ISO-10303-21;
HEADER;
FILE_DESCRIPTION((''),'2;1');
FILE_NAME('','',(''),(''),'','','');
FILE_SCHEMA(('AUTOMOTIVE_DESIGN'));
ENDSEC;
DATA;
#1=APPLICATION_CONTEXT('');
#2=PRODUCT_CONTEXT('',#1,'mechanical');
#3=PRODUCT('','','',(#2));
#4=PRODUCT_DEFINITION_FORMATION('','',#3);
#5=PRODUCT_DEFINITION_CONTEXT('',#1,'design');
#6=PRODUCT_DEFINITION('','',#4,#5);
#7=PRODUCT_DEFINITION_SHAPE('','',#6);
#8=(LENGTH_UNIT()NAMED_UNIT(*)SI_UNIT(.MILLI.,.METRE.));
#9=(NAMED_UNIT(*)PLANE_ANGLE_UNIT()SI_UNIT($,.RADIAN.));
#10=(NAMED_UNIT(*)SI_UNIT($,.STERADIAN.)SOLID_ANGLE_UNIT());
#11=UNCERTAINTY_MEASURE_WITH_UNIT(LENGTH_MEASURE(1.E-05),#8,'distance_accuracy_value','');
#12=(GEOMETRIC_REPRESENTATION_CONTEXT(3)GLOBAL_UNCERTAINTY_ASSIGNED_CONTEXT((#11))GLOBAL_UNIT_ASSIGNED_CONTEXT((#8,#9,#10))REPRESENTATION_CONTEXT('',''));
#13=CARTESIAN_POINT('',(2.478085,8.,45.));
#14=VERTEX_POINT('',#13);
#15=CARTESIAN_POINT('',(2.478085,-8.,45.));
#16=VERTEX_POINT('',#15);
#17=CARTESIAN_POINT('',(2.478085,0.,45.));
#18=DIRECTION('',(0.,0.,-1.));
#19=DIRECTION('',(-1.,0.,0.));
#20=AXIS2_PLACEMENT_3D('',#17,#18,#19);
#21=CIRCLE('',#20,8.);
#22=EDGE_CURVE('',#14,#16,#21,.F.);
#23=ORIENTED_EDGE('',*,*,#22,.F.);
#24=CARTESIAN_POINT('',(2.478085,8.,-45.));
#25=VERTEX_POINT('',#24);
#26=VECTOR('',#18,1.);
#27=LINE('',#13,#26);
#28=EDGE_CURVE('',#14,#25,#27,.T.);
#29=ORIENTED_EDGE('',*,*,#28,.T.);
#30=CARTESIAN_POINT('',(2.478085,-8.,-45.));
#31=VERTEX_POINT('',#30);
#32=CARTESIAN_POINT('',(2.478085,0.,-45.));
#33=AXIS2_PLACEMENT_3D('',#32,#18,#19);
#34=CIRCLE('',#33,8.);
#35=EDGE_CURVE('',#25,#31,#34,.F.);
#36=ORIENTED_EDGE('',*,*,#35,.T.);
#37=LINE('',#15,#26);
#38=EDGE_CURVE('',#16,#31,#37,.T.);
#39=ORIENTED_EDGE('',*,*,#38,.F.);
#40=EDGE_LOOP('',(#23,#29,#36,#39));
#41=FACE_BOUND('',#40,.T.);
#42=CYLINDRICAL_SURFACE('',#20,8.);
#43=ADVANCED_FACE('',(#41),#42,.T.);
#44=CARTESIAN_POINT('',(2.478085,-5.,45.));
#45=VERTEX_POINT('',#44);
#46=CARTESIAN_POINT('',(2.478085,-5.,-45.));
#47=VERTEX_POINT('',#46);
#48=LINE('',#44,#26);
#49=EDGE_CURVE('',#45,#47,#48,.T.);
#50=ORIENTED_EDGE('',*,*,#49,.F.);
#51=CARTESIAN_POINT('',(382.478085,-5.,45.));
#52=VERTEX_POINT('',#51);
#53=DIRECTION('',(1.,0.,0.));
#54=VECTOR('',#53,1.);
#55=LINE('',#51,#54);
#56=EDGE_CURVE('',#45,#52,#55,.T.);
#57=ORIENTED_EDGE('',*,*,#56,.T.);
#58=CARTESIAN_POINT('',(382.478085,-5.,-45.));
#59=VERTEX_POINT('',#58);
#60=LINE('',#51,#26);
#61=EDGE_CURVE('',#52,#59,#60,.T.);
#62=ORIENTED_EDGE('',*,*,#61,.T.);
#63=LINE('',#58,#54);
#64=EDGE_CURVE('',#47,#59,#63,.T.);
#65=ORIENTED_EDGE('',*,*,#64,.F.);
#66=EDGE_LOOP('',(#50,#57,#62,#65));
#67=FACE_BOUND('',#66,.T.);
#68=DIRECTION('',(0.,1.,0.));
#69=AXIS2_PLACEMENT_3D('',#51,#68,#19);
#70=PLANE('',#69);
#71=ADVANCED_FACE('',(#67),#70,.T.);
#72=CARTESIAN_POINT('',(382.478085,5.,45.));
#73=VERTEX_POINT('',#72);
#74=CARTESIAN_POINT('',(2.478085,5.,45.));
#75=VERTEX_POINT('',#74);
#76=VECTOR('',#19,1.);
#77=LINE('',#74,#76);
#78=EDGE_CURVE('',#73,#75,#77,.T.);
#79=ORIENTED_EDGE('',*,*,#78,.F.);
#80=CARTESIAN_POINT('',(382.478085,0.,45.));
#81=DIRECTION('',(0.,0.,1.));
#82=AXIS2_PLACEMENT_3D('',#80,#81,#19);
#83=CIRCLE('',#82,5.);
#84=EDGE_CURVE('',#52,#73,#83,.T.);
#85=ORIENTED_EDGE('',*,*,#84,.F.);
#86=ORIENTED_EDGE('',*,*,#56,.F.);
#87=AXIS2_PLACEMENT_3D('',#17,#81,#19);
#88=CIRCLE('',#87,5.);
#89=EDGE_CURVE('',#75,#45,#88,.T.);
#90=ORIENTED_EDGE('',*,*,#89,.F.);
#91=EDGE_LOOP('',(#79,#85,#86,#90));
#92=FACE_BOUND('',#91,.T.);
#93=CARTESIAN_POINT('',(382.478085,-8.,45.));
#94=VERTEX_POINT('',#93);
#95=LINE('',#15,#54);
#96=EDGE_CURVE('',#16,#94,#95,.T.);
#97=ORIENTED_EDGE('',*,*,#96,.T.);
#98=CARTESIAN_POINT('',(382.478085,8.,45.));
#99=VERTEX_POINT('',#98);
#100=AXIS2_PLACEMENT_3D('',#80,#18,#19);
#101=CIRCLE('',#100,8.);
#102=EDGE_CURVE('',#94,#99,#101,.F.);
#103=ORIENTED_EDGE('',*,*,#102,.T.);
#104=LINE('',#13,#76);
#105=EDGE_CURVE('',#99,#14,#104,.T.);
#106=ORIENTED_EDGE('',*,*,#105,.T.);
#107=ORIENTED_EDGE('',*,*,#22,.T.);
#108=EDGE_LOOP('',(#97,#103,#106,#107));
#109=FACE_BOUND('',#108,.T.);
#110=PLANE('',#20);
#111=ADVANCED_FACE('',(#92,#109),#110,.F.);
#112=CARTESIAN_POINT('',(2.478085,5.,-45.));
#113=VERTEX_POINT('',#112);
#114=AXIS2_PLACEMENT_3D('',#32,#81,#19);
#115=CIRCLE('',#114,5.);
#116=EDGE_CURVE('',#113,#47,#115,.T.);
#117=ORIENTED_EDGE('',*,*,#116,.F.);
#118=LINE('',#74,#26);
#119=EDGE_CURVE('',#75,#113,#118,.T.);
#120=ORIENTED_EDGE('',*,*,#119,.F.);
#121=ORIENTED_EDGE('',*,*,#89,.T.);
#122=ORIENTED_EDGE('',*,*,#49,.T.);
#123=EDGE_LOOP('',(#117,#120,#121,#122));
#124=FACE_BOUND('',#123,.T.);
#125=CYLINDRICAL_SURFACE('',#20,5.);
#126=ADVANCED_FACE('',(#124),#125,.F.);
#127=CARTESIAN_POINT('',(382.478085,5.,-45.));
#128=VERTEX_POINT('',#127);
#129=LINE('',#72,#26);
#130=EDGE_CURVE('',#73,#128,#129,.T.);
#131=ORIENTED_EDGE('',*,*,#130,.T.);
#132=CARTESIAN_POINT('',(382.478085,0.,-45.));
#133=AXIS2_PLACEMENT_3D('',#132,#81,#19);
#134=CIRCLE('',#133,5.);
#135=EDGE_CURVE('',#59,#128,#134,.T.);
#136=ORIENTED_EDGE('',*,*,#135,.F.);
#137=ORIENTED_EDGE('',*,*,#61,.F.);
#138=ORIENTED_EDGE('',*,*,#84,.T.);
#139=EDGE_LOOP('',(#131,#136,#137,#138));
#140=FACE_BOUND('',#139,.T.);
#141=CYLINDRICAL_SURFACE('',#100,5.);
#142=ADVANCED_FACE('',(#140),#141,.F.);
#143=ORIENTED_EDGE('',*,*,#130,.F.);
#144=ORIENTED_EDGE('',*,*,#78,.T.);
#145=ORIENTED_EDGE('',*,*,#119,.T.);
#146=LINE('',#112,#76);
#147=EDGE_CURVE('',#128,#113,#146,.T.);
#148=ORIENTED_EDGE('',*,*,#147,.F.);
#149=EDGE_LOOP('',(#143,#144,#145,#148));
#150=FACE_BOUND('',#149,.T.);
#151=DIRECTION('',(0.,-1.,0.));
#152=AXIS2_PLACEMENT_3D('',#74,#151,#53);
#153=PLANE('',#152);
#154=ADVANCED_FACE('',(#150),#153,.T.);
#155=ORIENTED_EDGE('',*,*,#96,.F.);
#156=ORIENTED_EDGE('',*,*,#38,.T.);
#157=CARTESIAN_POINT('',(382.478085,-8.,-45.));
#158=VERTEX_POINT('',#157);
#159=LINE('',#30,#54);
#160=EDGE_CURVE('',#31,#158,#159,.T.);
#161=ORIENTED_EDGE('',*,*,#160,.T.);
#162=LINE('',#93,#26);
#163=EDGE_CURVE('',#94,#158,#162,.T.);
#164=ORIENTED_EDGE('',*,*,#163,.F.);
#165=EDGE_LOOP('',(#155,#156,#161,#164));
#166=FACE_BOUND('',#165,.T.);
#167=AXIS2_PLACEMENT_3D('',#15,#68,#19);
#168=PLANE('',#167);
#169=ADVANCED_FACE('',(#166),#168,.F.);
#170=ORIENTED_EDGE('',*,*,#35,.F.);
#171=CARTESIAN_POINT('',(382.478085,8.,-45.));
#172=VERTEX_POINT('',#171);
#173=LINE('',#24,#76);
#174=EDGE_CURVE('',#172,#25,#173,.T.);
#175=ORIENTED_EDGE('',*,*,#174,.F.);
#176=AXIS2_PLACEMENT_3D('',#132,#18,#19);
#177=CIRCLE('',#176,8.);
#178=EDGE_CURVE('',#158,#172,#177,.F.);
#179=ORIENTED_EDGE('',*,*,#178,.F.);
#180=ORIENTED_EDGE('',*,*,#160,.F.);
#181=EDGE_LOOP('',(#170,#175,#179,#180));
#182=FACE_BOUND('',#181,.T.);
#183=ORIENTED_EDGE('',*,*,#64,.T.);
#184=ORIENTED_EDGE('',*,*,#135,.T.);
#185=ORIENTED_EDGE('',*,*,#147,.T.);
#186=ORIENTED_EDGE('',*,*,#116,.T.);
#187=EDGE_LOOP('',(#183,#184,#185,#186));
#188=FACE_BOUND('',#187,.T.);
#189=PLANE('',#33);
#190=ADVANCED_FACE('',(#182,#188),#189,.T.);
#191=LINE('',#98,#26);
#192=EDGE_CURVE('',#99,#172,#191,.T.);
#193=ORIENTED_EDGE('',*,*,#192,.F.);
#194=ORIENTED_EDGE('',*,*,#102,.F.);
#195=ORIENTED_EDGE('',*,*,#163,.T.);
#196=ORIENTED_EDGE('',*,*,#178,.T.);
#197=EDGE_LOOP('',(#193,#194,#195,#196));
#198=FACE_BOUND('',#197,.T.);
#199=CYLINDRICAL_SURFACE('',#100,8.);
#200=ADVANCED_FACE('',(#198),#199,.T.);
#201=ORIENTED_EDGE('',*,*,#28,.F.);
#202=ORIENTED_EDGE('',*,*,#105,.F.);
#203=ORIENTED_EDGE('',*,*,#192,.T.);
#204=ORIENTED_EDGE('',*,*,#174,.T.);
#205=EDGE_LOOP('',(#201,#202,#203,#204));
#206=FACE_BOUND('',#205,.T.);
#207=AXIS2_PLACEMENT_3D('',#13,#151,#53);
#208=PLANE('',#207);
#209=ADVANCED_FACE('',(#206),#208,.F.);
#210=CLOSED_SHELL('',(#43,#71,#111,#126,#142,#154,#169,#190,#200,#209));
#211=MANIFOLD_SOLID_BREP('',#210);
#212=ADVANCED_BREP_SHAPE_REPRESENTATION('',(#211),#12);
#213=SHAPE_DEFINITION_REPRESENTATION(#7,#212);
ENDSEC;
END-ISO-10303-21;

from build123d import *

# Parameters (mm, degrees)
EXTRUDE_1_DEPTH = 45


with BuildPart() as part:
    # 草图2 → 拉伸-薄壁1 (new, symmetric)
    with BuildSketch(Plane.XY):
        with BuildLine():
            Line((382.478085125, -8), (2.478085125, -8))
            ThreePointArc((2.478085125, -8), (-5.521914875, 0), (2.478085125, 8))
            Line((2.478085125, 8), (382.478085125, 8))
            ThreePointArc((382.478085125, 8), (390.478085125, 0), (382.478085125, -8))
        make_face()
        with BuildLine():
            Line((382.478085125, -5), (2.478085125, -5))
            ThreePointArc((2.478085125, -5), (-2.521914875, 0), (2.478085125, 5))
            Line((2.478085125, 5), (382.478085125, 5))
            ThreePointArc((382.478085125, 5), (387.478085125, 0), (382.478085125, -5))
        make_face(mode=Mode.SUBTRACT)
    extrude(amount=EXTRUDE_1_DEPTH, both=True)


solid = part.part
